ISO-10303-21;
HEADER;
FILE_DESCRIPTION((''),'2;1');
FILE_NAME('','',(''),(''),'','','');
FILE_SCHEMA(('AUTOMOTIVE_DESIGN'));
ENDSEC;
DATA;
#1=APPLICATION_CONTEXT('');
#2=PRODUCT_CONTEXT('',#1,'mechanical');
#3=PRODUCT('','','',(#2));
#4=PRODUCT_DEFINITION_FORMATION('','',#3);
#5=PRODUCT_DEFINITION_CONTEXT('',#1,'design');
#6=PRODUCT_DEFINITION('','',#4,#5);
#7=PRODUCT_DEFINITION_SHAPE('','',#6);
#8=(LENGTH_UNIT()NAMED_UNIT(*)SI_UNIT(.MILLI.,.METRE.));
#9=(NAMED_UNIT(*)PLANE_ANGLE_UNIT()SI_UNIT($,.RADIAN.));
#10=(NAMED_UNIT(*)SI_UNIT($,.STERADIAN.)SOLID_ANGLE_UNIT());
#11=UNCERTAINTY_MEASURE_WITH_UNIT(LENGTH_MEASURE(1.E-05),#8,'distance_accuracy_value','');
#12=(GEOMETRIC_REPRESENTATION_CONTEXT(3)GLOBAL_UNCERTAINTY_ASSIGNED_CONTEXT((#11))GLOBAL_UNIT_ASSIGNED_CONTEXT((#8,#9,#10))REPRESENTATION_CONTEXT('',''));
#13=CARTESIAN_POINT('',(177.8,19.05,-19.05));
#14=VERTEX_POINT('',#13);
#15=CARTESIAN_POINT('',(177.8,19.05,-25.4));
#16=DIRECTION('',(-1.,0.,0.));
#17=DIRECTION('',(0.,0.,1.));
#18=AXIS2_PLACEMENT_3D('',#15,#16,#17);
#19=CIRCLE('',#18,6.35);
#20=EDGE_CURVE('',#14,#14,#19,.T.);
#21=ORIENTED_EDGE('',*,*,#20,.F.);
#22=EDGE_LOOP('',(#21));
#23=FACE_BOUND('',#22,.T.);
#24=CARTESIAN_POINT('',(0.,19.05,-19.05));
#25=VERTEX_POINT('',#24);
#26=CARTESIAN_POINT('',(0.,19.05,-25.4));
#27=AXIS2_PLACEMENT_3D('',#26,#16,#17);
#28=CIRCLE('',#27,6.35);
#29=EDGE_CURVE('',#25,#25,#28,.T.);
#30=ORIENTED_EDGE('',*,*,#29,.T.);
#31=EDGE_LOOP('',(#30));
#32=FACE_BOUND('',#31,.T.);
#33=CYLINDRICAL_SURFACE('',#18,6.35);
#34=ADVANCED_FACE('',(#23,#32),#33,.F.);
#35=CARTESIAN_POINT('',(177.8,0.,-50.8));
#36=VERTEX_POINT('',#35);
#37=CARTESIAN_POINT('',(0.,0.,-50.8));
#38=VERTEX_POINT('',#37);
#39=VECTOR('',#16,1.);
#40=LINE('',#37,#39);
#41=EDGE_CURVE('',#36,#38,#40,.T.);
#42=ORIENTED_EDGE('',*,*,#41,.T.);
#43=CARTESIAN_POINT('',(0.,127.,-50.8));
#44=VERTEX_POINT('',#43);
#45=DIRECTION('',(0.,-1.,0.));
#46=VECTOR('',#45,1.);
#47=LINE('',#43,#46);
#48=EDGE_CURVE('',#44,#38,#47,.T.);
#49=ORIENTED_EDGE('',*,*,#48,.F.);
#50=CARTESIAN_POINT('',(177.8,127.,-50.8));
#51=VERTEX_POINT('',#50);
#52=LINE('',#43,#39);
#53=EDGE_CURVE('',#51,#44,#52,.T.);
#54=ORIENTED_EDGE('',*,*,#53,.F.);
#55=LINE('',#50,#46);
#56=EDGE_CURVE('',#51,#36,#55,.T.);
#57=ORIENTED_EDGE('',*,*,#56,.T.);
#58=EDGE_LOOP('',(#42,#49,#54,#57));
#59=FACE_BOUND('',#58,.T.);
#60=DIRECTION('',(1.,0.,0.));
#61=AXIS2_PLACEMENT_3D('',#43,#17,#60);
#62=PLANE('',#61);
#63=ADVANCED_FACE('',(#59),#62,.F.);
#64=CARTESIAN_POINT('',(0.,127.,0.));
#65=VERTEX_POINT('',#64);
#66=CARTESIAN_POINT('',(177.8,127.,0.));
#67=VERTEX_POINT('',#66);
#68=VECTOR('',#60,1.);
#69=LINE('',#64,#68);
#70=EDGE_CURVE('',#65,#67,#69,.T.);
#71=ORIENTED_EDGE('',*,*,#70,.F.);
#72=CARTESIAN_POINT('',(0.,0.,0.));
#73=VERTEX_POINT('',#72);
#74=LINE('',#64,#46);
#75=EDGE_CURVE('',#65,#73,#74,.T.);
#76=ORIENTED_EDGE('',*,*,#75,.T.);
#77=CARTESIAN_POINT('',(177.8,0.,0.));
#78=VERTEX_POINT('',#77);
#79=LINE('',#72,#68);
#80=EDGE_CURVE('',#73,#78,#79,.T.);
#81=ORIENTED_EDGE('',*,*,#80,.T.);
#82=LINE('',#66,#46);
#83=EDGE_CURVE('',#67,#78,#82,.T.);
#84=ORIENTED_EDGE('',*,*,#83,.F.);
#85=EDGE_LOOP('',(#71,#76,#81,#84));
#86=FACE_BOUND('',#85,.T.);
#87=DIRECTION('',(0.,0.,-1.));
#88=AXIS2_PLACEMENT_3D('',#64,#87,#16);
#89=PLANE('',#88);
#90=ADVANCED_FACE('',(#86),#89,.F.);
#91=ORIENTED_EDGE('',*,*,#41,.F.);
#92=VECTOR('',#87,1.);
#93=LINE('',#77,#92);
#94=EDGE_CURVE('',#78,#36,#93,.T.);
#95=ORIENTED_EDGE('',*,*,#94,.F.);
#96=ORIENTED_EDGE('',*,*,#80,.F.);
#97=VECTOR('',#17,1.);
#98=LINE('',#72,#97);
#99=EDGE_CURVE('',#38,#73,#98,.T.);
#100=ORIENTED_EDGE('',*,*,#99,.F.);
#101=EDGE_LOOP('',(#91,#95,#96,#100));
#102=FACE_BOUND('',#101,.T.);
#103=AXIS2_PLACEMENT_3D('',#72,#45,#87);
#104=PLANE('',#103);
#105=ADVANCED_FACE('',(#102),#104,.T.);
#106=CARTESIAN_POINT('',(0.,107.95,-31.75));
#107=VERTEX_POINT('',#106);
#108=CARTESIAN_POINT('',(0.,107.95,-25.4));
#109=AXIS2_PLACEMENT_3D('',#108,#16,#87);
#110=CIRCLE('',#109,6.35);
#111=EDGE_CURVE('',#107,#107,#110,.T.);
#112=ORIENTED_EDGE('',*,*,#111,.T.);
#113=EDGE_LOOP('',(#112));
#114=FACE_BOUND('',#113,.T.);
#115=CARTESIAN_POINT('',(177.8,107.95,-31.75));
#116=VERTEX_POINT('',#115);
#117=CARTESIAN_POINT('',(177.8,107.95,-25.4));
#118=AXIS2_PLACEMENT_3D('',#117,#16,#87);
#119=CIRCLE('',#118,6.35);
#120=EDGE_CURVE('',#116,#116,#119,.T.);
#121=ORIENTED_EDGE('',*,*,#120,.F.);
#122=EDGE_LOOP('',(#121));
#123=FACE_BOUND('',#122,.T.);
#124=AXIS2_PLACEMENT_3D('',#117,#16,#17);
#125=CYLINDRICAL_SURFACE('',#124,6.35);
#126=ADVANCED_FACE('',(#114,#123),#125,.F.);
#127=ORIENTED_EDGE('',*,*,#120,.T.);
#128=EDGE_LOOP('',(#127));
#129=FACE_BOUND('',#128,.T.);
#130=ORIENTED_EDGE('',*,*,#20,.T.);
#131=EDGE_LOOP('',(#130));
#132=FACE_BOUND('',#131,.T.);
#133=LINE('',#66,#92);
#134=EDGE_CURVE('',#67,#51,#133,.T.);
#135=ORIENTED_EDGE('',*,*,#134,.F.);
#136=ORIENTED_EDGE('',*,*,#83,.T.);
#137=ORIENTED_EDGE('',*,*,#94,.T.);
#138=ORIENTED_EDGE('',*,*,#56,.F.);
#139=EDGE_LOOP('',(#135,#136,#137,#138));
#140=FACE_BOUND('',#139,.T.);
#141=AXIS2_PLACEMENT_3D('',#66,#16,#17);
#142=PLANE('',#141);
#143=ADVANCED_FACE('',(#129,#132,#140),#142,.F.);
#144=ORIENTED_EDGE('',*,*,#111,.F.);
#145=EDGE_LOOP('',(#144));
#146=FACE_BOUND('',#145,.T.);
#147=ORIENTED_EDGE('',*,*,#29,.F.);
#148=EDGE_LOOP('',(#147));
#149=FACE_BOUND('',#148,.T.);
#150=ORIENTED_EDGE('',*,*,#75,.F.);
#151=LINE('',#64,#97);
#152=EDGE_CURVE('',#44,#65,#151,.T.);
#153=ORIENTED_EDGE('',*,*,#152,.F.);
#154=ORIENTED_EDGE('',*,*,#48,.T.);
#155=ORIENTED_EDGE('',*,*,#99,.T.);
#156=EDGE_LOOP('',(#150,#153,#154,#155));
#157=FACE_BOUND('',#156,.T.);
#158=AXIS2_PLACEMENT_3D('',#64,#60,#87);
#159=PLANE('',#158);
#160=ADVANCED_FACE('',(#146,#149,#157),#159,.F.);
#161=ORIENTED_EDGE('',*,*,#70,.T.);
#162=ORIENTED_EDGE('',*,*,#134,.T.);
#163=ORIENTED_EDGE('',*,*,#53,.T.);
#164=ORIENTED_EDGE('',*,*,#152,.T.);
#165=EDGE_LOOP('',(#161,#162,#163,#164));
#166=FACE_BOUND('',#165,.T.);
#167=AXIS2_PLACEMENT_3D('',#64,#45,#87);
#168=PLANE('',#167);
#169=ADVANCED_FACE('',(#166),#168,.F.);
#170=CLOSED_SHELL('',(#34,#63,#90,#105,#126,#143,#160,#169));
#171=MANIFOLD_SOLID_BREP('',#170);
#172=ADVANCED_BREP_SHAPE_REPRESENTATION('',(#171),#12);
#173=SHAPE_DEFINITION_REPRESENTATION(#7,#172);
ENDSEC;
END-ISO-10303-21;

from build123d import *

# Parameters (mm, degrees)
SKETCH1_W           = 177.8
SKETCH1_H           = 50.8
BOSS_EXTRUDE1_DEPTH = 127
SKETCH3_R           = 6.35
CUT_EXTRUDE1_DEPTH  = 178.8


with BuildPart() as part:
    # Sketch1 → Boss-Extrude1 (new body)
    with BuildSketch(Plane(origin=(0, 0, 0), x_dir=(1, 0, 0), z_dir=(0, 1, 0))):
        with Locations((88.9, 25.4)):
            Rectangle(SKETCH1_W, SKETCH1_H)
    extrude(amount=BOSS_EXTRUDE1_DEPTH)

    # Sketch3 → Cut-Extrude1 (cut, through all)
    with BuildSketch(Plane.ZY):
        with Locations((-25.4, 19.05)):
            Circle(SKETCH3_R)
        with Locations((-25.4, 107.95)):
            Circle(SKETCH3_R)
    extrude(amount=-CUT_EXTRUDE1_DEPTH, mode=Mode.SUBTRACT)


solid = part.part
